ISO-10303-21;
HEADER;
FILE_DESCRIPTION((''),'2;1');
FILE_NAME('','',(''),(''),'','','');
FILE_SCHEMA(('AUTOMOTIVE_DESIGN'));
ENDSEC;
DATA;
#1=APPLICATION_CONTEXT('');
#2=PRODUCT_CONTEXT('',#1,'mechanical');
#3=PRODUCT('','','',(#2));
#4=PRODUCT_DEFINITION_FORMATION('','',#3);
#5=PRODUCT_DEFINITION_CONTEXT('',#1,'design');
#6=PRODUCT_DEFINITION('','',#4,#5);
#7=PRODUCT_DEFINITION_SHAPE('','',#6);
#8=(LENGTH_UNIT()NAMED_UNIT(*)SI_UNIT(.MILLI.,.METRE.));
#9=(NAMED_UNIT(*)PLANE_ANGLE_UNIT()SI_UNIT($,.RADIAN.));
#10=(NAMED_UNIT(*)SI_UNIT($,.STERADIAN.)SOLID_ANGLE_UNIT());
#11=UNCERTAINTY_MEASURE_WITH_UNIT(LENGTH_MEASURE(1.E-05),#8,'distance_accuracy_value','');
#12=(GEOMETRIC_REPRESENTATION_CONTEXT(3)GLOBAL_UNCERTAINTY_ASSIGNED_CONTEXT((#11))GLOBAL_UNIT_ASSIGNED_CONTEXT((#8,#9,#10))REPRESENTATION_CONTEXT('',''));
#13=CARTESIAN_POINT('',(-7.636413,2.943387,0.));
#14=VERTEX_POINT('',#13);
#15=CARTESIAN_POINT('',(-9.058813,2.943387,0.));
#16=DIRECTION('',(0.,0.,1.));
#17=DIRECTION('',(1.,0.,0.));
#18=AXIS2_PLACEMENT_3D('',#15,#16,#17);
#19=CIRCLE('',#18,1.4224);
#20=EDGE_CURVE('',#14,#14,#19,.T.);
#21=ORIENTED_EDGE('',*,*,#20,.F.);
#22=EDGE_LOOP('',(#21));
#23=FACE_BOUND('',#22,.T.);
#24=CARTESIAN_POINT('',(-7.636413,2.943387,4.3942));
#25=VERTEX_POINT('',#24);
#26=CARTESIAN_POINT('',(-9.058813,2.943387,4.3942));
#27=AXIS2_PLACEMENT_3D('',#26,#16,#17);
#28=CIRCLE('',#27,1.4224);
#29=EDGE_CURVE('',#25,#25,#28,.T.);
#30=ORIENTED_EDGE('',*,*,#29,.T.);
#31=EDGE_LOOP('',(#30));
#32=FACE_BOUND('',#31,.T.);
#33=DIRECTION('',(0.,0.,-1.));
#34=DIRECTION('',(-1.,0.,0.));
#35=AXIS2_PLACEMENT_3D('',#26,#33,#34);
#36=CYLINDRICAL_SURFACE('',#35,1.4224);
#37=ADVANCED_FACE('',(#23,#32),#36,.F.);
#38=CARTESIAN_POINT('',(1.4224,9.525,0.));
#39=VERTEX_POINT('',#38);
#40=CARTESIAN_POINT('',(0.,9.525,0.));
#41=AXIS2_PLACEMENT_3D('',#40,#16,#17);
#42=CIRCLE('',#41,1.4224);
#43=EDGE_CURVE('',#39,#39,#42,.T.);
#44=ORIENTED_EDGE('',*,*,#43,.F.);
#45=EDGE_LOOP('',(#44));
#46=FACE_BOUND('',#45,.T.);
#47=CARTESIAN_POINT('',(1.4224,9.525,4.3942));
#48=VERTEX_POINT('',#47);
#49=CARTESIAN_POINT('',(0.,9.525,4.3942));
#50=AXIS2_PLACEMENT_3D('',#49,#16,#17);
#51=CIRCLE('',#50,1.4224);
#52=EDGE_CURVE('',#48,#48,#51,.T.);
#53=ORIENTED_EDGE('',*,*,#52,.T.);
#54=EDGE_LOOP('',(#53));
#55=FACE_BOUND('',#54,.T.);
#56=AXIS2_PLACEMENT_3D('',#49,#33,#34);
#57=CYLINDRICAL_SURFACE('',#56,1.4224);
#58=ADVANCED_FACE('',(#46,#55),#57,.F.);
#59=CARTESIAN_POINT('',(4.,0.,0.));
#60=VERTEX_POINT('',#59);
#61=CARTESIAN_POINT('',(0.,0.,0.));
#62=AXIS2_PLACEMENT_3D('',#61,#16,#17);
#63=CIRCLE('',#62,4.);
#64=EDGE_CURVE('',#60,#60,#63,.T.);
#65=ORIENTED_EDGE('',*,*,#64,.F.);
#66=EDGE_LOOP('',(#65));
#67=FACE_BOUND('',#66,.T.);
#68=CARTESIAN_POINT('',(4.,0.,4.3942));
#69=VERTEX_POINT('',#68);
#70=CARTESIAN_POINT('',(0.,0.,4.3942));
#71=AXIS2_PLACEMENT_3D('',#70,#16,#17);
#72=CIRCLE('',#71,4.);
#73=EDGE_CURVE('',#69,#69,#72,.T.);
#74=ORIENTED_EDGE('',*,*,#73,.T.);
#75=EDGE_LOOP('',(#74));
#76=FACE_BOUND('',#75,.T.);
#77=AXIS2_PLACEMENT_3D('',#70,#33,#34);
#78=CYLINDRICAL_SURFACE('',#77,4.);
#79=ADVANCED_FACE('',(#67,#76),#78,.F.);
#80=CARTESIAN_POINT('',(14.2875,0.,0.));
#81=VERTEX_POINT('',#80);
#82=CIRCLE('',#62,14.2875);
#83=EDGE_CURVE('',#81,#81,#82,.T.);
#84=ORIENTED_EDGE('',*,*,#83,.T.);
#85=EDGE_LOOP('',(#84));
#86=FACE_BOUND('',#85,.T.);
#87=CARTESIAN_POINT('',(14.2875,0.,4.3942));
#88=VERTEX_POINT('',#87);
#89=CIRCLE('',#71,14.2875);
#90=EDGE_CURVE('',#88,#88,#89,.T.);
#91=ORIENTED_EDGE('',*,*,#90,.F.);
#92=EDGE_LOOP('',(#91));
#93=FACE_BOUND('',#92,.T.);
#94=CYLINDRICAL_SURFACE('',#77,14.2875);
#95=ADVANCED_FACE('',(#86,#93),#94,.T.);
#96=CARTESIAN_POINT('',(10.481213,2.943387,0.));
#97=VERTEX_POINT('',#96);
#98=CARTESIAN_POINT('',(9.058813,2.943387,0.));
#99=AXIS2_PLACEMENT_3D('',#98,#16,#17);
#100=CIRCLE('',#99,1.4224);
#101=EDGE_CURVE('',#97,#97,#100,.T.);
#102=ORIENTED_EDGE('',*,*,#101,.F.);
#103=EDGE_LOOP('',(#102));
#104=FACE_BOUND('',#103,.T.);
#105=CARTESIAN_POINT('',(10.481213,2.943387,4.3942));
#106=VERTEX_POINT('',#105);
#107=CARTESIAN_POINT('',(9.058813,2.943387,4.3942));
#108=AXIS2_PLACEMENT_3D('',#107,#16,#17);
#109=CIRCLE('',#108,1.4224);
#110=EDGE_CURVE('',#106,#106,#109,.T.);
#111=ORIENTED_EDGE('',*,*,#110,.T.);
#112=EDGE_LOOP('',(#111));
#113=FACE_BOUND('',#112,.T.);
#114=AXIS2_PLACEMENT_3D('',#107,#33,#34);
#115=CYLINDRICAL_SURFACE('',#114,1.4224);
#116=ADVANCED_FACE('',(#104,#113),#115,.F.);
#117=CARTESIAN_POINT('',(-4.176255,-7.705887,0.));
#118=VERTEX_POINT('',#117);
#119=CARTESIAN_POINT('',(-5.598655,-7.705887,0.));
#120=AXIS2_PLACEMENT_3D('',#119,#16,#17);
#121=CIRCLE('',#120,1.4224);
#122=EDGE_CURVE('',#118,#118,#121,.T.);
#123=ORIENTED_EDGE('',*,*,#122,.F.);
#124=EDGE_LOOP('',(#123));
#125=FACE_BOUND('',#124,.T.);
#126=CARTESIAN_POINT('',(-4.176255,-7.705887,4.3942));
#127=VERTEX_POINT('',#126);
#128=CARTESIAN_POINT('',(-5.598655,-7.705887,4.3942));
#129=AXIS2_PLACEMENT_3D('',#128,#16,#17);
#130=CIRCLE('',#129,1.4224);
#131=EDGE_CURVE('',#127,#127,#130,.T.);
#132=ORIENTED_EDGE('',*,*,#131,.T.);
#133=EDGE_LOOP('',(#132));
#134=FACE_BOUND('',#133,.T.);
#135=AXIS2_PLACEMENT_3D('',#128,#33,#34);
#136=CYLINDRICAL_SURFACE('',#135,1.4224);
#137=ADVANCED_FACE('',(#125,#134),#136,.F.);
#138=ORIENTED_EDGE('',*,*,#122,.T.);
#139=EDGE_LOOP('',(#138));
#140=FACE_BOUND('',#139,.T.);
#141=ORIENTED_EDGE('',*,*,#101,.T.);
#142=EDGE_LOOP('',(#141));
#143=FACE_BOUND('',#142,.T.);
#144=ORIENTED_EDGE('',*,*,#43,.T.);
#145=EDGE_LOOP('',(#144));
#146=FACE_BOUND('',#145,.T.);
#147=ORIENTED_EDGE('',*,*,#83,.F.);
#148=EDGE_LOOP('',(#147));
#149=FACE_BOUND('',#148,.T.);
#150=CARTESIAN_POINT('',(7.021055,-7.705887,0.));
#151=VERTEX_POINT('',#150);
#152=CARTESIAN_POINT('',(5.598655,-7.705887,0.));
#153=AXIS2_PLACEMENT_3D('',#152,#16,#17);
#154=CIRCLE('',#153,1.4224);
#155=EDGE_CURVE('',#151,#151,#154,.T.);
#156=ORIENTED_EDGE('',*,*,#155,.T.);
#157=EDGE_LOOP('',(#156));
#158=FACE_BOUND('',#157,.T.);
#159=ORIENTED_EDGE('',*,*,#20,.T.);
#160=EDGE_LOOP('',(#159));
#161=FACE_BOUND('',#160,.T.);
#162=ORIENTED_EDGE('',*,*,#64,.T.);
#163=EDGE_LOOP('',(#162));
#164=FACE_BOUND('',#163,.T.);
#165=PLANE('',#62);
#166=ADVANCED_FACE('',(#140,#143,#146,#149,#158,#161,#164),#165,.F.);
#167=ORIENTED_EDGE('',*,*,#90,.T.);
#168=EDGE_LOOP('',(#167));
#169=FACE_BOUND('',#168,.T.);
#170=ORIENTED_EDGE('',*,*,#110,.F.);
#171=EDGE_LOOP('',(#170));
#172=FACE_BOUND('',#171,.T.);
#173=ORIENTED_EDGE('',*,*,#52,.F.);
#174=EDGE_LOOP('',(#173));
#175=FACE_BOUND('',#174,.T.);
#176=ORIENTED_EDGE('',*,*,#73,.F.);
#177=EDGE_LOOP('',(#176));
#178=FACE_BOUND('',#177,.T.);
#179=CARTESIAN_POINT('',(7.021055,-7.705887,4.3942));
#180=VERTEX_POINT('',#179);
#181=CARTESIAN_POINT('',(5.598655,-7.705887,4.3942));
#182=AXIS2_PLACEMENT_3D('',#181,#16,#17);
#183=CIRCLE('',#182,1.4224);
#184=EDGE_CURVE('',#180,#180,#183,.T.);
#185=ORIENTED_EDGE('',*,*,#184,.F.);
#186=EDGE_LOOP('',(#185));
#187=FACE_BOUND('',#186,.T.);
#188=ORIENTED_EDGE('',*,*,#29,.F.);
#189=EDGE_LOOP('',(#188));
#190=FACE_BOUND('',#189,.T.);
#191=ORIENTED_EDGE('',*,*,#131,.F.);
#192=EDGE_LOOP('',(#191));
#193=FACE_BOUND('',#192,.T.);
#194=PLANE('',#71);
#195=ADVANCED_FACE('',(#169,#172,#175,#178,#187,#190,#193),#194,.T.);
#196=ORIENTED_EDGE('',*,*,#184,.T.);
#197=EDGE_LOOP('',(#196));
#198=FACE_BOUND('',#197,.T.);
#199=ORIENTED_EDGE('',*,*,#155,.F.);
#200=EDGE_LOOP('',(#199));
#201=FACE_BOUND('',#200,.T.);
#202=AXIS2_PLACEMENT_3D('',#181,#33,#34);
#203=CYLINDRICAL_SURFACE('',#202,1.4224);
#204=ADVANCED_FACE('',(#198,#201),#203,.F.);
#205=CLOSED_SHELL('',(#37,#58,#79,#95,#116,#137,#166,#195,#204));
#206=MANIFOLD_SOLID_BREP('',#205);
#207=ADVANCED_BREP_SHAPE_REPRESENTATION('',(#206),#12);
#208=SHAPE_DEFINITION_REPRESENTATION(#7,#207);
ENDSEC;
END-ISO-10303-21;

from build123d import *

# Parameters (mm, degrees)
SKETCH1_R           = 14.2875
SKETCH1_R_2         = 4
SKETCH1_R_3         = 1.4224
BOSS_EXTRUDE1_DEPTH = 4.3942


with BuildPart() as part:
    # Sketch1 → Boss-Extrude1 (new body)
    with BuildSketch(Plane.XY):
        Circle(SKETCH1_R)
        Circle(SKETCH1_R_2, mode=Mode.SUBTRACT)
        with Locations((0, 9.525)):
            Circle(SKETCH1_R_3, mode=Mode.SUBTRACT)
        with Locations((9.058813318, 2.943386871)):
            Circle(SKETCH1_R_3, mode=Mode.SUBTRACT)
        with Locations((5.598654528, -7.705886871)):
            Circle(SKETCH1_R_3, mode=Mode.SUBTRACT)
        with Locations((-5.598654528, -7.705886871)):
            Circle(SKETCH1_R_3, mode=Mode.SUBTRACT)
        with Locations((-9.058813318, 2.943386871)):
            Circle(SKETCH1_R_3, mode=Mode.SUBTRACT)
    extrude(amount=BOSS_EXTRUDE1_DEPTH)


solid = part.part
